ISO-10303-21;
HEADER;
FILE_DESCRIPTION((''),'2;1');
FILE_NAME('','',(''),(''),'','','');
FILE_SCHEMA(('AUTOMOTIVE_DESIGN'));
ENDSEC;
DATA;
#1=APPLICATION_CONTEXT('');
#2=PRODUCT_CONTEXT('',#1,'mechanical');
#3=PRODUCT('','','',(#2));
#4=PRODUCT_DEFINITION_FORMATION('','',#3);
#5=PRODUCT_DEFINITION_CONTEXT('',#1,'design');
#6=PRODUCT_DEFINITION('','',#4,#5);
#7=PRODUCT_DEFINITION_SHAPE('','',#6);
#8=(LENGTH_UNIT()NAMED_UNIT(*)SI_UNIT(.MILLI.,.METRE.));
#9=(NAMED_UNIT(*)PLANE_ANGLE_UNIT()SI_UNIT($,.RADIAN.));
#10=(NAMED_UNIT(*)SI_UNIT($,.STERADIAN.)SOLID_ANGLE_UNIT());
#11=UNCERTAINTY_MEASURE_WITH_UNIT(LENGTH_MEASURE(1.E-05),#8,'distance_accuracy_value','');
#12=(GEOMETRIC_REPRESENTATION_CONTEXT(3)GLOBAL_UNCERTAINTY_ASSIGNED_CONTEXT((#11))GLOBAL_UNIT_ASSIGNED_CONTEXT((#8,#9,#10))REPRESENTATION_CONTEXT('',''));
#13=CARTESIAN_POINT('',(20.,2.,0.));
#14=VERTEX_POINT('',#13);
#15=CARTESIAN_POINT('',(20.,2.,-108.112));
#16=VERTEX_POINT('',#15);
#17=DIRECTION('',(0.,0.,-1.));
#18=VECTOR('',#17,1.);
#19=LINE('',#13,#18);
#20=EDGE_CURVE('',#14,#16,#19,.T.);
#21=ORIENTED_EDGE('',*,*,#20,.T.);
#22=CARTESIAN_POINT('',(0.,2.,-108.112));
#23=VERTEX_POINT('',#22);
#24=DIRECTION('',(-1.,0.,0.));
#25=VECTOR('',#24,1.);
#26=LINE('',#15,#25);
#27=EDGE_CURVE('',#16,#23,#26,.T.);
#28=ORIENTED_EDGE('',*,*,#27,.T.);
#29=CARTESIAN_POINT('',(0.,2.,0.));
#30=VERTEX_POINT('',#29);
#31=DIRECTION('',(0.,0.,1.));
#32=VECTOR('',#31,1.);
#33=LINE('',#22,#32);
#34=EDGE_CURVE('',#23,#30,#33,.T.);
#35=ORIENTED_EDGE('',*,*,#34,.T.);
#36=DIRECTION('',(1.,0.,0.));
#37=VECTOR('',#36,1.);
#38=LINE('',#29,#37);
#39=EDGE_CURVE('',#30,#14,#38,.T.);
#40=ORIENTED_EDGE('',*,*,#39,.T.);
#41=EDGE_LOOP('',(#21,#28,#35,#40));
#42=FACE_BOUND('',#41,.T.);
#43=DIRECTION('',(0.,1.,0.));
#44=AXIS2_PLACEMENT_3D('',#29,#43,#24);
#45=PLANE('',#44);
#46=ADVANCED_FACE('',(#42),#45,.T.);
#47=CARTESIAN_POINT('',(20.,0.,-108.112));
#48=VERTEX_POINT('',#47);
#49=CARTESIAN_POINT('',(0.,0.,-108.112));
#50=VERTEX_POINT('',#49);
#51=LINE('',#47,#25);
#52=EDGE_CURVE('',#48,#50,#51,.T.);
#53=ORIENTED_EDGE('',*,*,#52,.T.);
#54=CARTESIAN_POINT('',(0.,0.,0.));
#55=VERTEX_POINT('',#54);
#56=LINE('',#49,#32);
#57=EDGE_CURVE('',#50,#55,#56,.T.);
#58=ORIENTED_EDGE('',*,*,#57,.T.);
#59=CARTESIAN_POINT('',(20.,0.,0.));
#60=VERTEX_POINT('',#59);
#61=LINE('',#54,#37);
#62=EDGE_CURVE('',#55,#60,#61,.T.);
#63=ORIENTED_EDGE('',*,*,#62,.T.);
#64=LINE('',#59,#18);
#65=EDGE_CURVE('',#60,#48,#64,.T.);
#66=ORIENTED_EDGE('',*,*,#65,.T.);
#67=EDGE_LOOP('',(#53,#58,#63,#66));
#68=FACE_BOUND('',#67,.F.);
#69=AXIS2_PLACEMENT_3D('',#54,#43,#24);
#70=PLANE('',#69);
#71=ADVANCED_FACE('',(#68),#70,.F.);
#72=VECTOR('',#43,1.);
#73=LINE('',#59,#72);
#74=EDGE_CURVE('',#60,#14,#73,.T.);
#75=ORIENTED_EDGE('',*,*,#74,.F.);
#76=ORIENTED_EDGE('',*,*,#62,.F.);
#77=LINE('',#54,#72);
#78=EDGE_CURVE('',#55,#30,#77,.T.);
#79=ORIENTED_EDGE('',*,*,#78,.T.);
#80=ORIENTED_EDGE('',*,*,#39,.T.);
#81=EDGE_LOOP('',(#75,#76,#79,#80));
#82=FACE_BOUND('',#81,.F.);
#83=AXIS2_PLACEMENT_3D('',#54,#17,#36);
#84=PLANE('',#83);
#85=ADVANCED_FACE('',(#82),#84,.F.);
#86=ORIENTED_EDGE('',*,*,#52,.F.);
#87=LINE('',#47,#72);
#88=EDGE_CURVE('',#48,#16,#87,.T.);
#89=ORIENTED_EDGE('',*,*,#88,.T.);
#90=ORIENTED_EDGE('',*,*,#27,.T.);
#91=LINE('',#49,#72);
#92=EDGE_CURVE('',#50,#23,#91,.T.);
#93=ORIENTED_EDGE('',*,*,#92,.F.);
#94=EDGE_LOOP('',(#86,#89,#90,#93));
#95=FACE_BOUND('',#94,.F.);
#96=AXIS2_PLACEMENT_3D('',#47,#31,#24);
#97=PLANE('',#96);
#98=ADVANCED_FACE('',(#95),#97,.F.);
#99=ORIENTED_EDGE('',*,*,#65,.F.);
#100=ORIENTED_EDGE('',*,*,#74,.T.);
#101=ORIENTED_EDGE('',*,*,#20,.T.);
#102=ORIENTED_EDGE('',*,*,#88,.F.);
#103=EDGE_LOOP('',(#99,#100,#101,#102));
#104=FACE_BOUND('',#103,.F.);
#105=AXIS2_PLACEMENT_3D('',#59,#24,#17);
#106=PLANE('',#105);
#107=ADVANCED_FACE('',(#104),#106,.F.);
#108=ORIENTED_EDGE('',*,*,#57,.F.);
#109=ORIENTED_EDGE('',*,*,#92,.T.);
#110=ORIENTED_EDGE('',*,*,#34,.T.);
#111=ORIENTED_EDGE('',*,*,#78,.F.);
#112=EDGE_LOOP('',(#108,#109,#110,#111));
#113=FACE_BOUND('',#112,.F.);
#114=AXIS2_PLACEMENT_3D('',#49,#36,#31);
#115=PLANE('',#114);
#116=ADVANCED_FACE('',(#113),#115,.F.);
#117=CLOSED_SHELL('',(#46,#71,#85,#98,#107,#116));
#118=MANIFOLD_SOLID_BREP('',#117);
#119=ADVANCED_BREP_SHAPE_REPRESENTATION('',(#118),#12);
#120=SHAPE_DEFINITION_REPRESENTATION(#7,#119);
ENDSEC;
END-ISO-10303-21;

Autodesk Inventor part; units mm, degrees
ref_plane "YZ Plane" through (0, 0, 0) normal (1, 0, 0) x (0, 1, 0)
ref_plane "XZ Plane" through (0, 0, 0) normal (0, 1, 0) x (-1, 0, 0)
ref_plane "XY Plane" through (0, 0, 0) normal (0, 0, 1) x (1, 0, 0)
sketch "Sketch1" plane through (0, 0, 0) normal (0, 1, 0) x (-1, 0, 0)
  line L0 (0, 0) -> (-20, 0)
  line L1 (-20, 0) -> (-20, -108.112)
  line L2 (-20, -108.112) -> (0, -108.112)
  line L3 (0, -108.112) -> (0, 0)
  dimension "d0" = 20
  dimension "d1" = 108.112
extrude "Extrusion1" add sketch "Sketch1" along normal blind 2
properties part number "l-holder_2020_spacer"
